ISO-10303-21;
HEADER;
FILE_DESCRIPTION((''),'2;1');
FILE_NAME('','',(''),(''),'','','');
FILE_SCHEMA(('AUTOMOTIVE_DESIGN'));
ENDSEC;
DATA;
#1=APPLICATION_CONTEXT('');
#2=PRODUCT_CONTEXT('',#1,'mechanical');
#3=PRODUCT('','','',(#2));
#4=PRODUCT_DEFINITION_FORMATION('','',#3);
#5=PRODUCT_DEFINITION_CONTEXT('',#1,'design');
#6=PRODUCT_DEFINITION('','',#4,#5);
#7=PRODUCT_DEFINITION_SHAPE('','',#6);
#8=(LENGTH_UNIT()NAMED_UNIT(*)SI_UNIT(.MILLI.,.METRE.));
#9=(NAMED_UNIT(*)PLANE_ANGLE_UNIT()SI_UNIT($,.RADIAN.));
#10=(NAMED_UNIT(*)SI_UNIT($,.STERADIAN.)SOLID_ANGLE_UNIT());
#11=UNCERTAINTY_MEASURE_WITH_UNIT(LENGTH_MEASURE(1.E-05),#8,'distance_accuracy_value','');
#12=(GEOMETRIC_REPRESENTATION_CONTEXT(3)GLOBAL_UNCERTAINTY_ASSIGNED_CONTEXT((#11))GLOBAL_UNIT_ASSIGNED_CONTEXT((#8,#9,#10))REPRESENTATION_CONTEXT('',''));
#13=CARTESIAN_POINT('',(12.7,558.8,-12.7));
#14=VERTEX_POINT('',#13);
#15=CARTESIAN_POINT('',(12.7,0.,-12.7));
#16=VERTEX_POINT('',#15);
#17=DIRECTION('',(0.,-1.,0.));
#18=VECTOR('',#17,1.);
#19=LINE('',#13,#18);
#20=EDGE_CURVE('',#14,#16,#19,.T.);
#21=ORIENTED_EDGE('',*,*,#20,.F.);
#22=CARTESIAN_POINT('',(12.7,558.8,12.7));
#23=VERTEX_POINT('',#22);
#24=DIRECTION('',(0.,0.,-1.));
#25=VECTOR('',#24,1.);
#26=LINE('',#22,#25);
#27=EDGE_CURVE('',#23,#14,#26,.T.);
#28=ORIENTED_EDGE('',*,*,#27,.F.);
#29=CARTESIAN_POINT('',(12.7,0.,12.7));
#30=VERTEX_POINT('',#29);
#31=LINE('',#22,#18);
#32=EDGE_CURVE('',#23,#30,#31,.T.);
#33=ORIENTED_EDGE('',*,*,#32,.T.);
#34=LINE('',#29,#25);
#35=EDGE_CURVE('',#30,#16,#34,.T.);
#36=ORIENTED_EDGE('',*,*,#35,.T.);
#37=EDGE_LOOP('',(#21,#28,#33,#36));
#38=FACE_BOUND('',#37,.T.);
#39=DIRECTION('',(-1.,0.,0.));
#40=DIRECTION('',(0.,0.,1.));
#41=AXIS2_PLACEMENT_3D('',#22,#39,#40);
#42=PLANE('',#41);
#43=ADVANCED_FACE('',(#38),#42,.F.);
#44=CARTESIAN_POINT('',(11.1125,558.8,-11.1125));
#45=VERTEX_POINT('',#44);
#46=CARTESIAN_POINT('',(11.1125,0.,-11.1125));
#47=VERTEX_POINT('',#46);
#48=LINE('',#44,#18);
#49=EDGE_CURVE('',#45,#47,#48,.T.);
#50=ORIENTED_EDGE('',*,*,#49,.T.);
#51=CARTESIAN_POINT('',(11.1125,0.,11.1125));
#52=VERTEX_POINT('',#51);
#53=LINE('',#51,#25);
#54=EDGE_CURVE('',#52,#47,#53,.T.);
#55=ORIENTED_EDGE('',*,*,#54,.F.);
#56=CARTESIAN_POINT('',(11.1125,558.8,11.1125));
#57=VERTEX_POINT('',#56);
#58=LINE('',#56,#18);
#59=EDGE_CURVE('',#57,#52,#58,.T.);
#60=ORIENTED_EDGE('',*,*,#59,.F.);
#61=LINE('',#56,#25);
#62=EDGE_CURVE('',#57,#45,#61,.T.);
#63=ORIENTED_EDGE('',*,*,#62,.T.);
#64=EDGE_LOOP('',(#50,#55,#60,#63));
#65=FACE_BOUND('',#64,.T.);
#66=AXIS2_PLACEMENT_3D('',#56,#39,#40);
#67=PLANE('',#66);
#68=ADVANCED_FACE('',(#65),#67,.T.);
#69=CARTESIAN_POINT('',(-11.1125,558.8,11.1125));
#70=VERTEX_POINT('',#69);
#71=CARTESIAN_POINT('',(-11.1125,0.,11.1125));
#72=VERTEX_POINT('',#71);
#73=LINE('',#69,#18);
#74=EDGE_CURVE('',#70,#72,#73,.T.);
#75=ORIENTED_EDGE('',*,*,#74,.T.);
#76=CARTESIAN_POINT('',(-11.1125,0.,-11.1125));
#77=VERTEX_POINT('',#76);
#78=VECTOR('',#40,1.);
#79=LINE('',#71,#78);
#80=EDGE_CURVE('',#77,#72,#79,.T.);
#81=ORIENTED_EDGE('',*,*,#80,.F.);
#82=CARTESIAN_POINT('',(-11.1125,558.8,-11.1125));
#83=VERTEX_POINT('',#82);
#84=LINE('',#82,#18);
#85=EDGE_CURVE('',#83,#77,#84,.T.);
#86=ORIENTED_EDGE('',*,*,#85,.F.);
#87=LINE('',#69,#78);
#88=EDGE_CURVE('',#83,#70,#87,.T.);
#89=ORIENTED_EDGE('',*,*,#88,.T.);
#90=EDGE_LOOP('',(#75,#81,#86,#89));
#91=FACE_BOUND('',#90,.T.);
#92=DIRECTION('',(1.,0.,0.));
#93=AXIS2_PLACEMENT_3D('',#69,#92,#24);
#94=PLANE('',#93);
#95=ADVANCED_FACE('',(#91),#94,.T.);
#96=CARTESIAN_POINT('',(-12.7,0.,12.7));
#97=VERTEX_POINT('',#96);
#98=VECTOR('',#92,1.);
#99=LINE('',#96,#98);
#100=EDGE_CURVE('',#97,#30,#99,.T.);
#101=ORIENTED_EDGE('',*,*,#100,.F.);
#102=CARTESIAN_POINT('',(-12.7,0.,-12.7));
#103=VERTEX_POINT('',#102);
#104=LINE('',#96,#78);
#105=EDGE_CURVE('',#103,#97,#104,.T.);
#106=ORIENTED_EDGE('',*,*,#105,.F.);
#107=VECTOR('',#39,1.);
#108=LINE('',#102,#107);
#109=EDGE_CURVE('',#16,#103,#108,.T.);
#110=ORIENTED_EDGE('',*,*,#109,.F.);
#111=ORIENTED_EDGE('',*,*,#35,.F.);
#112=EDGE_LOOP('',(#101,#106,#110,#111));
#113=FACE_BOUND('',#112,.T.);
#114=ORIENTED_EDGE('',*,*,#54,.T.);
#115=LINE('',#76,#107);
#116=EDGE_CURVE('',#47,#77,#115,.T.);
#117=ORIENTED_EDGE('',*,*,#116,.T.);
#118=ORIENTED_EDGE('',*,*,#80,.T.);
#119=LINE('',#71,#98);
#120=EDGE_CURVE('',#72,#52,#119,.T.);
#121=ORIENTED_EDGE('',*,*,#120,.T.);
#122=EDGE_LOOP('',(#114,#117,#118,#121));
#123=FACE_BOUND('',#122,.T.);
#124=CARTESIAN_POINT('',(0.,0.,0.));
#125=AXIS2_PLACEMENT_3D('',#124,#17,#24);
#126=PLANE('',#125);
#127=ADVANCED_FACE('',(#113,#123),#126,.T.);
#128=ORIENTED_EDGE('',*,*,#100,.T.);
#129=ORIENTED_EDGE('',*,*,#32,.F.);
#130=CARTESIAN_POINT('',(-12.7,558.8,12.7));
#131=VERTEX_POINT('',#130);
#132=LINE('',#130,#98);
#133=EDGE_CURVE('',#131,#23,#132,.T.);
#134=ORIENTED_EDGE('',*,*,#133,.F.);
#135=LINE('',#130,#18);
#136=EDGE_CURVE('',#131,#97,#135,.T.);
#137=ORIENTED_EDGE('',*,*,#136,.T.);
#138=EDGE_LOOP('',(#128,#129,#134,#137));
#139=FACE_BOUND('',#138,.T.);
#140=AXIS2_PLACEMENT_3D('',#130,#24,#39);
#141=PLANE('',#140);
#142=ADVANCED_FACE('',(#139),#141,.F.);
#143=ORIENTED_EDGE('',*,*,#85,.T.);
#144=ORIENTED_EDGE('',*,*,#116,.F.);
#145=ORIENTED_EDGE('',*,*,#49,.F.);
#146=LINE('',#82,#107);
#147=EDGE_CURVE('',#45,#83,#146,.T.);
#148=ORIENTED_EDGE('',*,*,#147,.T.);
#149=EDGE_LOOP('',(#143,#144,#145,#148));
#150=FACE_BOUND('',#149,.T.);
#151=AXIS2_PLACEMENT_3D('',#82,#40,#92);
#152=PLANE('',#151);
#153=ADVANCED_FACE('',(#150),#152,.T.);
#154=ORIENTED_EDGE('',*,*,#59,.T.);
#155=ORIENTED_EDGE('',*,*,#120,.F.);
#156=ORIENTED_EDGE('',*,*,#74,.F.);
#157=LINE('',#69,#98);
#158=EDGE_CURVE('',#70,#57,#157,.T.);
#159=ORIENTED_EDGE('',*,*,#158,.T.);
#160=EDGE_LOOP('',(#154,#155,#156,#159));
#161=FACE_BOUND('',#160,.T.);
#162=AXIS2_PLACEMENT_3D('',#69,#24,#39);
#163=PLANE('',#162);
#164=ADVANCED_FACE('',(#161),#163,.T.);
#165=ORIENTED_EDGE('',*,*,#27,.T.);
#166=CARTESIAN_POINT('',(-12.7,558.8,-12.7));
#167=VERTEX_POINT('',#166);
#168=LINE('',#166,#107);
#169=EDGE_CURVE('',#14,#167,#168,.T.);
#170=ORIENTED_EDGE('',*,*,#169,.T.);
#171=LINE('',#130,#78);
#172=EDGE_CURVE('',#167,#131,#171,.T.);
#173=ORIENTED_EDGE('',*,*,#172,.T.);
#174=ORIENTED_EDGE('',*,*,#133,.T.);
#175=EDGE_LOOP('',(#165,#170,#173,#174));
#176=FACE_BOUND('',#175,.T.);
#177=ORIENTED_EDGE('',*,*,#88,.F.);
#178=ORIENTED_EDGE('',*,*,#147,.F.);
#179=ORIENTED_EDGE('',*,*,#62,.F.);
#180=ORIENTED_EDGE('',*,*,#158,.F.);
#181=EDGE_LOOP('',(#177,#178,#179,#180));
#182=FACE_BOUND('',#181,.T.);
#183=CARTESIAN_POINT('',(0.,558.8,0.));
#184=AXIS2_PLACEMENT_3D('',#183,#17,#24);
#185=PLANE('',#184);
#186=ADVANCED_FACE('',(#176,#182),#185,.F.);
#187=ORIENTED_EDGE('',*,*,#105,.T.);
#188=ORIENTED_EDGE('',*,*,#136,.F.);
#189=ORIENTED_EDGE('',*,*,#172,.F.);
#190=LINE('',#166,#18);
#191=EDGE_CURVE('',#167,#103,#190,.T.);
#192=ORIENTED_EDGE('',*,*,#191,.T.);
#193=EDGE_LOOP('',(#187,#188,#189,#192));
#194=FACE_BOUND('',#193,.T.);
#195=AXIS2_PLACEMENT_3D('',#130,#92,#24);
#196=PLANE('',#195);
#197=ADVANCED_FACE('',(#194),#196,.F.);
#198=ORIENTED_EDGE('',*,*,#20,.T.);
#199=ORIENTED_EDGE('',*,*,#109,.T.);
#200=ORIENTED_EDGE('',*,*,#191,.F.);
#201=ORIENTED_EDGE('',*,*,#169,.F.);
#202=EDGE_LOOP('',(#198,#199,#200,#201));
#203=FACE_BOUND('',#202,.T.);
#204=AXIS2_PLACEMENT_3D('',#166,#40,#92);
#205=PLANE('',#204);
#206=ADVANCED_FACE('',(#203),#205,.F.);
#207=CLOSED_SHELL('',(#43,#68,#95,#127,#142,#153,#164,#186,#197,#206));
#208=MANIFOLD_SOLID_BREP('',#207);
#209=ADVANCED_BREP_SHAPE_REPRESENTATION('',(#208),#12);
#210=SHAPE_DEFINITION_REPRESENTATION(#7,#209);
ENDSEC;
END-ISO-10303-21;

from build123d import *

# Parameters (mm, degrees)
SKETCH1_W           = 25.4
SKETCH1_H           = 25.4
SKETCH1_W_2         = 22.225
SKETCH1_H_2         = 22.225
BOSS_EXTRUDE1_DEPTH = 558.8


with BuildPart() as part:
    # Sketch1 → Boss-Extrude1 (new body)
    with BuildSketch(Plane(origin=(0, 0, 0), x_dir=(1, 0, 0), z_dir=(0, 1, 0))):
        Rectangle(SKETCH1_W, SKETCH1_H)
        Rectangle(SKETCH1_W_2, SKETCH1_H_2, mode=Mode.SUBTRACT)
    extrude(amount=BOSS_EXTRUDE1_DEPTH)


solid = part.part
